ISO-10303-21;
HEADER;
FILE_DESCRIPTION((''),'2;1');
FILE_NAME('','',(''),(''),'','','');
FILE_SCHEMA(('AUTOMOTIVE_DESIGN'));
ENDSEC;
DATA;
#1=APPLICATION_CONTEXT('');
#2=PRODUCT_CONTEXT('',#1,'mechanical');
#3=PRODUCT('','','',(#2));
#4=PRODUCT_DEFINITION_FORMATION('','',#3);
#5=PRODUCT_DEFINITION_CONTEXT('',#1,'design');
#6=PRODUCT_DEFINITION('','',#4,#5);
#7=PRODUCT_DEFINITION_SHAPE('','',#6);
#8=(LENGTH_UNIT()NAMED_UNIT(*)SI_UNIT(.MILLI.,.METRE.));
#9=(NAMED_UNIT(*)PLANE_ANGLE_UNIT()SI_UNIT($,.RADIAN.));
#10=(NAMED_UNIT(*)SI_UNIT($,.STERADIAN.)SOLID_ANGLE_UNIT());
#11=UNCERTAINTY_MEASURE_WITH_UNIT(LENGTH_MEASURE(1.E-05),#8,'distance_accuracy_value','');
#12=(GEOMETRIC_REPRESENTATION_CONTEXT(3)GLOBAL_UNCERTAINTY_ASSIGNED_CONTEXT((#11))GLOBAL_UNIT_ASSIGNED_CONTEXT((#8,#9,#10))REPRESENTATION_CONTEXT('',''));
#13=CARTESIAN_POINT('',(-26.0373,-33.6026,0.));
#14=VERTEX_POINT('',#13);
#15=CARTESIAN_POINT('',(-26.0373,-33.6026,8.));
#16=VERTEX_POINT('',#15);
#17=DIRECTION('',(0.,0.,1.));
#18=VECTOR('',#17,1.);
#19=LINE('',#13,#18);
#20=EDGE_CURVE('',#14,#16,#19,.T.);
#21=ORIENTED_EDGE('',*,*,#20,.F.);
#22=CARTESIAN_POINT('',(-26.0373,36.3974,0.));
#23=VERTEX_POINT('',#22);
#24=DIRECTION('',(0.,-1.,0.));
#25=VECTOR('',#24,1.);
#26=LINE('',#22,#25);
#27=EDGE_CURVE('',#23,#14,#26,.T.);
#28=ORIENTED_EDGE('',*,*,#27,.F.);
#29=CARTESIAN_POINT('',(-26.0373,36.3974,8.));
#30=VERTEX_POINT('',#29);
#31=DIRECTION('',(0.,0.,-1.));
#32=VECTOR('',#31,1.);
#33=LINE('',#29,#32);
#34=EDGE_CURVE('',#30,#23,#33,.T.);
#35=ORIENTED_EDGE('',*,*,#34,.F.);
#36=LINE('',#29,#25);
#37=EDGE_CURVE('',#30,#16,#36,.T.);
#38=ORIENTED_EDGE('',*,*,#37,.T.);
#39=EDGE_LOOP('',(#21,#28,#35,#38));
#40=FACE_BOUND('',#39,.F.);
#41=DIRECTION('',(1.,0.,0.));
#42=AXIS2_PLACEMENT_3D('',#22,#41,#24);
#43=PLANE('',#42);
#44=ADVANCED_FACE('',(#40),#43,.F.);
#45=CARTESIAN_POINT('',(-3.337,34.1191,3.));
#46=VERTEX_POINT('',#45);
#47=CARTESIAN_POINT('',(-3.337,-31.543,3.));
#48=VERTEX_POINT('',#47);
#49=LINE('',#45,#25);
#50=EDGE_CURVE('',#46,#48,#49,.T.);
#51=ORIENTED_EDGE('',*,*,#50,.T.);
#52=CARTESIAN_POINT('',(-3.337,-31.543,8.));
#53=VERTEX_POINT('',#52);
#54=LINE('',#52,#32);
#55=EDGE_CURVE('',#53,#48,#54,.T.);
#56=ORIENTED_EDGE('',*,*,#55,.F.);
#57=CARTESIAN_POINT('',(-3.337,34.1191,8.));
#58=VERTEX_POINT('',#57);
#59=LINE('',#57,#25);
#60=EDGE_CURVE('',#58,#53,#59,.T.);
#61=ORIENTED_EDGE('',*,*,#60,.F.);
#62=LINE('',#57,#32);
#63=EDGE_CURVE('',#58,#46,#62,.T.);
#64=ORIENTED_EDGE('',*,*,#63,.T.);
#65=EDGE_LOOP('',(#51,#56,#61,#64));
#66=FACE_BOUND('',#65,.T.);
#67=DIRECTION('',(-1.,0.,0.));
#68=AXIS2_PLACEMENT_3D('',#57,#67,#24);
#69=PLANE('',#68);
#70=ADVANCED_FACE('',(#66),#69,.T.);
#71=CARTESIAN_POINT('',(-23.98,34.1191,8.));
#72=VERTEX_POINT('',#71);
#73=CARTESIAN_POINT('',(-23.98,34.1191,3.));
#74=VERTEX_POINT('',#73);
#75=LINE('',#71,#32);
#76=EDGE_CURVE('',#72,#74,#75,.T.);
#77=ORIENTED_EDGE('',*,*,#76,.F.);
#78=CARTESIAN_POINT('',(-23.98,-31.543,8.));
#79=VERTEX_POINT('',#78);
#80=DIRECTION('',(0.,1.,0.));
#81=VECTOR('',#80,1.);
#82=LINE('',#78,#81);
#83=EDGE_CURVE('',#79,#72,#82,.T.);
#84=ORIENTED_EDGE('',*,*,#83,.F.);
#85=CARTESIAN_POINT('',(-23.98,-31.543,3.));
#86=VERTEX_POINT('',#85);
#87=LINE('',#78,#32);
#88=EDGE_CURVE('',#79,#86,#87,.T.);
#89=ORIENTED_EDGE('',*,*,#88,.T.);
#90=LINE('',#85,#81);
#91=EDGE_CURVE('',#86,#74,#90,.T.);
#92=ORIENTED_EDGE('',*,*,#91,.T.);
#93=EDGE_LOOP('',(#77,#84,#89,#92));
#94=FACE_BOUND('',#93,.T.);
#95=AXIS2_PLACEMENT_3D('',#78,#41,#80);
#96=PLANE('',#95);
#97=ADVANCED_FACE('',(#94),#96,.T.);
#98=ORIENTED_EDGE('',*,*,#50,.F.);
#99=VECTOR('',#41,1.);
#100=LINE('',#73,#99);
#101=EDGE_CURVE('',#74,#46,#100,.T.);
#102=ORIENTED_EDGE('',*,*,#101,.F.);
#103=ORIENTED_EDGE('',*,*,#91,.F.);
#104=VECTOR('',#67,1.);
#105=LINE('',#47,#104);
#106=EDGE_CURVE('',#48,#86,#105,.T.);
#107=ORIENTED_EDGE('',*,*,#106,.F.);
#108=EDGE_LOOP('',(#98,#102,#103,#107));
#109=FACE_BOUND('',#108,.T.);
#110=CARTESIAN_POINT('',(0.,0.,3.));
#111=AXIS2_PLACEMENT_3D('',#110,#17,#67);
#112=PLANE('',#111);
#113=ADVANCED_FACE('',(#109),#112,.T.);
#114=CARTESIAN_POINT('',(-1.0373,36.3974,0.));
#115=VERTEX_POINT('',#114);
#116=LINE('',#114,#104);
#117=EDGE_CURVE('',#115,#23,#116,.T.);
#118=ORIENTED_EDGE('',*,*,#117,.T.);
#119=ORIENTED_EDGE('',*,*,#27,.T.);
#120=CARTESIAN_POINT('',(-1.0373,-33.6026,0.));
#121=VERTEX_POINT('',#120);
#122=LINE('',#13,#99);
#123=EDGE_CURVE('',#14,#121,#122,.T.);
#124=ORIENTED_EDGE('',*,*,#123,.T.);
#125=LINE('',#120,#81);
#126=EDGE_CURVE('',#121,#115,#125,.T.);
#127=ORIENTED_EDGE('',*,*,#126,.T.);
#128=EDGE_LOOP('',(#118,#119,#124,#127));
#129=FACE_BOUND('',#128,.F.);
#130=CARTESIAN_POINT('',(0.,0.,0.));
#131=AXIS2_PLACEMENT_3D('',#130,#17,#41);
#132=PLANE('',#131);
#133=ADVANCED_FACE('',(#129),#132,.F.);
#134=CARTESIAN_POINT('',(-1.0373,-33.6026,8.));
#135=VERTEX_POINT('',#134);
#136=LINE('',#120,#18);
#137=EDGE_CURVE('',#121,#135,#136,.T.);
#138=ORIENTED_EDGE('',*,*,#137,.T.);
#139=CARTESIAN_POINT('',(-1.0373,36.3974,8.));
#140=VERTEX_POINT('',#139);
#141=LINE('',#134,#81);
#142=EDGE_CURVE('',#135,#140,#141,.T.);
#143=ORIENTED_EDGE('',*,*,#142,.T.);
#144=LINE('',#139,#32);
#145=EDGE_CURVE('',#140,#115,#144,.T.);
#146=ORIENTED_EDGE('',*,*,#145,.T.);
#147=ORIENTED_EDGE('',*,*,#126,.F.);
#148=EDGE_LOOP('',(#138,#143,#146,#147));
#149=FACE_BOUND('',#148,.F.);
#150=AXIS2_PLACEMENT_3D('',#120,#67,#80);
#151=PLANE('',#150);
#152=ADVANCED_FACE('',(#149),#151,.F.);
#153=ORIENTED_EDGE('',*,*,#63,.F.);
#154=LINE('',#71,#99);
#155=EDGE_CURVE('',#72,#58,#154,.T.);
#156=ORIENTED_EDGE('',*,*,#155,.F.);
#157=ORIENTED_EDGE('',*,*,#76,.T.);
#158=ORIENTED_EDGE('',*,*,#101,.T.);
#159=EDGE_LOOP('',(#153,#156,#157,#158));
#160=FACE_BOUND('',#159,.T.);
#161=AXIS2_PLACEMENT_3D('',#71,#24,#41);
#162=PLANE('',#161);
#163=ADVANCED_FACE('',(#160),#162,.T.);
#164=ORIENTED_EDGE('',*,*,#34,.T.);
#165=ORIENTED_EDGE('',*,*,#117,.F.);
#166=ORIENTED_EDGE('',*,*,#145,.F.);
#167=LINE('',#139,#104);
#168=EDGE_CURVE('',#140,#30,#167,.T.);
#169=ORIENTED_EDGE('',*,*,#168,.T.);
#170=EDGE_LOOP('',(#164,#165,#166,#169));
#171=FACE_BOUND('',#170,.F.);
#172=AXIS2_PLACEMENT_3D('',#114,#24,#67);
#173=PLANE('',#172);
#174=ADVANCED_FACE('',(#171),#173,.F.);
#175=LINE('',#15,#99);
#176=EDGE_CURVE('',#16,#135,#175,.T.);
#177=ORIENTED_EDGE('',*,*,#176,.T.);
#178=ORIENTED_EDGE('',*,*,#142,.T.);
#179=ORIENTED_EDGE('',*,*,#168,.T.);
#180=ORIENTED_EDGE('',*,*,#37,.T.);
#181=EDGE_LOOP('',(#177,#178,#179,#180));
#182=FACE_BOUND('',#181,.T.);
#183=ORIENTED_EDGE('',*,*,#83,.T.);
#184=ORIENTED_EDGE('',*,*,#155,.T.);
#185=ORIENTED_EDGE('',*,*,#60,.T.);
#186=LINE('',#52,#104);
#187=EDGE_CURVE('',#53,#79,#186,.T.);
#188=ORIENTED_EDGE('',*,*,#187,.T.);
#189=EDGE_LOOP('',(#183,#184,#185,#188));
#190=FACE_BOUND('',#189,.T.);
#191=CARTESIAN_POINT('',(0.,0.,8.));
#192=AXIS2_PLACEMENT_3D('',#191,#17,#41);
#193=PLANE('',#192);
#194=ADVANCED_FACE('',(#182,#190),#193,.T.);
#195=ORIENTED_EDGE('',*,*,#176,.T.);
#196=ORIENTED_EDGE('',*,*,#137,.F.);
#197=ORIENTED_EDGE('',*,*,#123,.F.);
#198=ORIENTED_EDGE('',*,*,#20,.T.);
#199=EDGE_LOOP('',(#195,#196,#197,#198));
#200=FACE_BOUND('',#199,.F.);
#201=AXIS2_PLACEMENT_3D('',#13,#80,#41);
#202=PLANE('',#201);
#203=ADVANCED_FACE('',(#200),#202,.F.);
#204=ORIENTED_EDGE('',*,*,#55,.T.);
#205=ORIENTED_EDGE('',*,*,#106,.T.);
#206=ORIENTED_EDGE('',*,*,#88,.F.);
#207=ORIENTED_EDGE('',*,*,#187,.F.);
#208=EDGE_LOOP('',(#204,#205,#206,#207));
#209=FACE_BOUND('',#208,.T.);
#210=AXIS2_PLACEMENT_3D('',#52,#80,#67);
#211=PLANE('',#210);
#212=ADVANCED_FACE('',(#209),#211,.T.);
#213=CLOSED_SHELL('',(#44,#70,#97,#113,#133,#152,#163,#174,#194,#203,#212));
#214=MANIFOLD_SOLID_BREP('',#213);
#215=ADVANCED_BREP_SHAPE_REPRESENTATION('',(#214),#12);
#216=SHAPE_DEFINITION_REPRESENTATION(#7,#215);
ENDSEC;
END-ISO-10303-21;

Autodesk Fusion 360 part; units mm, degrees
sketch "Sketch1" plane through (0, 0, 0) normal (0, 0, 1) x (1, 0, 0)
  line L0 (-26.0373, -33.6026) -> (-1.0373, -33.6026)
  line L1 (-1.0373, -33.6026) -> (-1.0373, 36.3974)
  line L2 (-1.0373, 36.3974) -> (-26.0373, 36.3974)
  line L3 (-26.0373, 36.3974) -> (-26.0373, -33.6026)
  dimension "d1" = 25
  dimension "d2" = 70
extrude "Extrude1" add sketch "Sketch1" along normal blind 3
extrude "Extrude2" add 1 faces at (-17.7039, 13.0641, 3) along direction (0, 0, 1) blind 5
sketch "Sketch2" plane through (0, 0, 8) normal (0, 0, 1) x (-1, 0, 0)
  line L0 (26.0373, -36.3974) -> (26.0373, 33.6026)
  line L1 (26.0373, 33.6026) -> (1.0373, 33.6026)
  line L2 (1.0373, 33.6026) -> (1.0373, -36.3974)
  line L3 (1.0373, -36.3974) -> (26.0373, -36.3974)
  line L4 (23.98, -34.1191) -> (3.337, -34.1191)
  line L5 (3.337, -34.1191) -> (3.337, 31.543)
  line L6 (3.337, 31.543) -> (23.98, 31.543)
  line L7 (23.98, 31.543) -> (23.98, -34.1191)
extrude "Extrude3" cut sketch "Sketch2" against normal blind 5 contours L4 L5 L6 L7
